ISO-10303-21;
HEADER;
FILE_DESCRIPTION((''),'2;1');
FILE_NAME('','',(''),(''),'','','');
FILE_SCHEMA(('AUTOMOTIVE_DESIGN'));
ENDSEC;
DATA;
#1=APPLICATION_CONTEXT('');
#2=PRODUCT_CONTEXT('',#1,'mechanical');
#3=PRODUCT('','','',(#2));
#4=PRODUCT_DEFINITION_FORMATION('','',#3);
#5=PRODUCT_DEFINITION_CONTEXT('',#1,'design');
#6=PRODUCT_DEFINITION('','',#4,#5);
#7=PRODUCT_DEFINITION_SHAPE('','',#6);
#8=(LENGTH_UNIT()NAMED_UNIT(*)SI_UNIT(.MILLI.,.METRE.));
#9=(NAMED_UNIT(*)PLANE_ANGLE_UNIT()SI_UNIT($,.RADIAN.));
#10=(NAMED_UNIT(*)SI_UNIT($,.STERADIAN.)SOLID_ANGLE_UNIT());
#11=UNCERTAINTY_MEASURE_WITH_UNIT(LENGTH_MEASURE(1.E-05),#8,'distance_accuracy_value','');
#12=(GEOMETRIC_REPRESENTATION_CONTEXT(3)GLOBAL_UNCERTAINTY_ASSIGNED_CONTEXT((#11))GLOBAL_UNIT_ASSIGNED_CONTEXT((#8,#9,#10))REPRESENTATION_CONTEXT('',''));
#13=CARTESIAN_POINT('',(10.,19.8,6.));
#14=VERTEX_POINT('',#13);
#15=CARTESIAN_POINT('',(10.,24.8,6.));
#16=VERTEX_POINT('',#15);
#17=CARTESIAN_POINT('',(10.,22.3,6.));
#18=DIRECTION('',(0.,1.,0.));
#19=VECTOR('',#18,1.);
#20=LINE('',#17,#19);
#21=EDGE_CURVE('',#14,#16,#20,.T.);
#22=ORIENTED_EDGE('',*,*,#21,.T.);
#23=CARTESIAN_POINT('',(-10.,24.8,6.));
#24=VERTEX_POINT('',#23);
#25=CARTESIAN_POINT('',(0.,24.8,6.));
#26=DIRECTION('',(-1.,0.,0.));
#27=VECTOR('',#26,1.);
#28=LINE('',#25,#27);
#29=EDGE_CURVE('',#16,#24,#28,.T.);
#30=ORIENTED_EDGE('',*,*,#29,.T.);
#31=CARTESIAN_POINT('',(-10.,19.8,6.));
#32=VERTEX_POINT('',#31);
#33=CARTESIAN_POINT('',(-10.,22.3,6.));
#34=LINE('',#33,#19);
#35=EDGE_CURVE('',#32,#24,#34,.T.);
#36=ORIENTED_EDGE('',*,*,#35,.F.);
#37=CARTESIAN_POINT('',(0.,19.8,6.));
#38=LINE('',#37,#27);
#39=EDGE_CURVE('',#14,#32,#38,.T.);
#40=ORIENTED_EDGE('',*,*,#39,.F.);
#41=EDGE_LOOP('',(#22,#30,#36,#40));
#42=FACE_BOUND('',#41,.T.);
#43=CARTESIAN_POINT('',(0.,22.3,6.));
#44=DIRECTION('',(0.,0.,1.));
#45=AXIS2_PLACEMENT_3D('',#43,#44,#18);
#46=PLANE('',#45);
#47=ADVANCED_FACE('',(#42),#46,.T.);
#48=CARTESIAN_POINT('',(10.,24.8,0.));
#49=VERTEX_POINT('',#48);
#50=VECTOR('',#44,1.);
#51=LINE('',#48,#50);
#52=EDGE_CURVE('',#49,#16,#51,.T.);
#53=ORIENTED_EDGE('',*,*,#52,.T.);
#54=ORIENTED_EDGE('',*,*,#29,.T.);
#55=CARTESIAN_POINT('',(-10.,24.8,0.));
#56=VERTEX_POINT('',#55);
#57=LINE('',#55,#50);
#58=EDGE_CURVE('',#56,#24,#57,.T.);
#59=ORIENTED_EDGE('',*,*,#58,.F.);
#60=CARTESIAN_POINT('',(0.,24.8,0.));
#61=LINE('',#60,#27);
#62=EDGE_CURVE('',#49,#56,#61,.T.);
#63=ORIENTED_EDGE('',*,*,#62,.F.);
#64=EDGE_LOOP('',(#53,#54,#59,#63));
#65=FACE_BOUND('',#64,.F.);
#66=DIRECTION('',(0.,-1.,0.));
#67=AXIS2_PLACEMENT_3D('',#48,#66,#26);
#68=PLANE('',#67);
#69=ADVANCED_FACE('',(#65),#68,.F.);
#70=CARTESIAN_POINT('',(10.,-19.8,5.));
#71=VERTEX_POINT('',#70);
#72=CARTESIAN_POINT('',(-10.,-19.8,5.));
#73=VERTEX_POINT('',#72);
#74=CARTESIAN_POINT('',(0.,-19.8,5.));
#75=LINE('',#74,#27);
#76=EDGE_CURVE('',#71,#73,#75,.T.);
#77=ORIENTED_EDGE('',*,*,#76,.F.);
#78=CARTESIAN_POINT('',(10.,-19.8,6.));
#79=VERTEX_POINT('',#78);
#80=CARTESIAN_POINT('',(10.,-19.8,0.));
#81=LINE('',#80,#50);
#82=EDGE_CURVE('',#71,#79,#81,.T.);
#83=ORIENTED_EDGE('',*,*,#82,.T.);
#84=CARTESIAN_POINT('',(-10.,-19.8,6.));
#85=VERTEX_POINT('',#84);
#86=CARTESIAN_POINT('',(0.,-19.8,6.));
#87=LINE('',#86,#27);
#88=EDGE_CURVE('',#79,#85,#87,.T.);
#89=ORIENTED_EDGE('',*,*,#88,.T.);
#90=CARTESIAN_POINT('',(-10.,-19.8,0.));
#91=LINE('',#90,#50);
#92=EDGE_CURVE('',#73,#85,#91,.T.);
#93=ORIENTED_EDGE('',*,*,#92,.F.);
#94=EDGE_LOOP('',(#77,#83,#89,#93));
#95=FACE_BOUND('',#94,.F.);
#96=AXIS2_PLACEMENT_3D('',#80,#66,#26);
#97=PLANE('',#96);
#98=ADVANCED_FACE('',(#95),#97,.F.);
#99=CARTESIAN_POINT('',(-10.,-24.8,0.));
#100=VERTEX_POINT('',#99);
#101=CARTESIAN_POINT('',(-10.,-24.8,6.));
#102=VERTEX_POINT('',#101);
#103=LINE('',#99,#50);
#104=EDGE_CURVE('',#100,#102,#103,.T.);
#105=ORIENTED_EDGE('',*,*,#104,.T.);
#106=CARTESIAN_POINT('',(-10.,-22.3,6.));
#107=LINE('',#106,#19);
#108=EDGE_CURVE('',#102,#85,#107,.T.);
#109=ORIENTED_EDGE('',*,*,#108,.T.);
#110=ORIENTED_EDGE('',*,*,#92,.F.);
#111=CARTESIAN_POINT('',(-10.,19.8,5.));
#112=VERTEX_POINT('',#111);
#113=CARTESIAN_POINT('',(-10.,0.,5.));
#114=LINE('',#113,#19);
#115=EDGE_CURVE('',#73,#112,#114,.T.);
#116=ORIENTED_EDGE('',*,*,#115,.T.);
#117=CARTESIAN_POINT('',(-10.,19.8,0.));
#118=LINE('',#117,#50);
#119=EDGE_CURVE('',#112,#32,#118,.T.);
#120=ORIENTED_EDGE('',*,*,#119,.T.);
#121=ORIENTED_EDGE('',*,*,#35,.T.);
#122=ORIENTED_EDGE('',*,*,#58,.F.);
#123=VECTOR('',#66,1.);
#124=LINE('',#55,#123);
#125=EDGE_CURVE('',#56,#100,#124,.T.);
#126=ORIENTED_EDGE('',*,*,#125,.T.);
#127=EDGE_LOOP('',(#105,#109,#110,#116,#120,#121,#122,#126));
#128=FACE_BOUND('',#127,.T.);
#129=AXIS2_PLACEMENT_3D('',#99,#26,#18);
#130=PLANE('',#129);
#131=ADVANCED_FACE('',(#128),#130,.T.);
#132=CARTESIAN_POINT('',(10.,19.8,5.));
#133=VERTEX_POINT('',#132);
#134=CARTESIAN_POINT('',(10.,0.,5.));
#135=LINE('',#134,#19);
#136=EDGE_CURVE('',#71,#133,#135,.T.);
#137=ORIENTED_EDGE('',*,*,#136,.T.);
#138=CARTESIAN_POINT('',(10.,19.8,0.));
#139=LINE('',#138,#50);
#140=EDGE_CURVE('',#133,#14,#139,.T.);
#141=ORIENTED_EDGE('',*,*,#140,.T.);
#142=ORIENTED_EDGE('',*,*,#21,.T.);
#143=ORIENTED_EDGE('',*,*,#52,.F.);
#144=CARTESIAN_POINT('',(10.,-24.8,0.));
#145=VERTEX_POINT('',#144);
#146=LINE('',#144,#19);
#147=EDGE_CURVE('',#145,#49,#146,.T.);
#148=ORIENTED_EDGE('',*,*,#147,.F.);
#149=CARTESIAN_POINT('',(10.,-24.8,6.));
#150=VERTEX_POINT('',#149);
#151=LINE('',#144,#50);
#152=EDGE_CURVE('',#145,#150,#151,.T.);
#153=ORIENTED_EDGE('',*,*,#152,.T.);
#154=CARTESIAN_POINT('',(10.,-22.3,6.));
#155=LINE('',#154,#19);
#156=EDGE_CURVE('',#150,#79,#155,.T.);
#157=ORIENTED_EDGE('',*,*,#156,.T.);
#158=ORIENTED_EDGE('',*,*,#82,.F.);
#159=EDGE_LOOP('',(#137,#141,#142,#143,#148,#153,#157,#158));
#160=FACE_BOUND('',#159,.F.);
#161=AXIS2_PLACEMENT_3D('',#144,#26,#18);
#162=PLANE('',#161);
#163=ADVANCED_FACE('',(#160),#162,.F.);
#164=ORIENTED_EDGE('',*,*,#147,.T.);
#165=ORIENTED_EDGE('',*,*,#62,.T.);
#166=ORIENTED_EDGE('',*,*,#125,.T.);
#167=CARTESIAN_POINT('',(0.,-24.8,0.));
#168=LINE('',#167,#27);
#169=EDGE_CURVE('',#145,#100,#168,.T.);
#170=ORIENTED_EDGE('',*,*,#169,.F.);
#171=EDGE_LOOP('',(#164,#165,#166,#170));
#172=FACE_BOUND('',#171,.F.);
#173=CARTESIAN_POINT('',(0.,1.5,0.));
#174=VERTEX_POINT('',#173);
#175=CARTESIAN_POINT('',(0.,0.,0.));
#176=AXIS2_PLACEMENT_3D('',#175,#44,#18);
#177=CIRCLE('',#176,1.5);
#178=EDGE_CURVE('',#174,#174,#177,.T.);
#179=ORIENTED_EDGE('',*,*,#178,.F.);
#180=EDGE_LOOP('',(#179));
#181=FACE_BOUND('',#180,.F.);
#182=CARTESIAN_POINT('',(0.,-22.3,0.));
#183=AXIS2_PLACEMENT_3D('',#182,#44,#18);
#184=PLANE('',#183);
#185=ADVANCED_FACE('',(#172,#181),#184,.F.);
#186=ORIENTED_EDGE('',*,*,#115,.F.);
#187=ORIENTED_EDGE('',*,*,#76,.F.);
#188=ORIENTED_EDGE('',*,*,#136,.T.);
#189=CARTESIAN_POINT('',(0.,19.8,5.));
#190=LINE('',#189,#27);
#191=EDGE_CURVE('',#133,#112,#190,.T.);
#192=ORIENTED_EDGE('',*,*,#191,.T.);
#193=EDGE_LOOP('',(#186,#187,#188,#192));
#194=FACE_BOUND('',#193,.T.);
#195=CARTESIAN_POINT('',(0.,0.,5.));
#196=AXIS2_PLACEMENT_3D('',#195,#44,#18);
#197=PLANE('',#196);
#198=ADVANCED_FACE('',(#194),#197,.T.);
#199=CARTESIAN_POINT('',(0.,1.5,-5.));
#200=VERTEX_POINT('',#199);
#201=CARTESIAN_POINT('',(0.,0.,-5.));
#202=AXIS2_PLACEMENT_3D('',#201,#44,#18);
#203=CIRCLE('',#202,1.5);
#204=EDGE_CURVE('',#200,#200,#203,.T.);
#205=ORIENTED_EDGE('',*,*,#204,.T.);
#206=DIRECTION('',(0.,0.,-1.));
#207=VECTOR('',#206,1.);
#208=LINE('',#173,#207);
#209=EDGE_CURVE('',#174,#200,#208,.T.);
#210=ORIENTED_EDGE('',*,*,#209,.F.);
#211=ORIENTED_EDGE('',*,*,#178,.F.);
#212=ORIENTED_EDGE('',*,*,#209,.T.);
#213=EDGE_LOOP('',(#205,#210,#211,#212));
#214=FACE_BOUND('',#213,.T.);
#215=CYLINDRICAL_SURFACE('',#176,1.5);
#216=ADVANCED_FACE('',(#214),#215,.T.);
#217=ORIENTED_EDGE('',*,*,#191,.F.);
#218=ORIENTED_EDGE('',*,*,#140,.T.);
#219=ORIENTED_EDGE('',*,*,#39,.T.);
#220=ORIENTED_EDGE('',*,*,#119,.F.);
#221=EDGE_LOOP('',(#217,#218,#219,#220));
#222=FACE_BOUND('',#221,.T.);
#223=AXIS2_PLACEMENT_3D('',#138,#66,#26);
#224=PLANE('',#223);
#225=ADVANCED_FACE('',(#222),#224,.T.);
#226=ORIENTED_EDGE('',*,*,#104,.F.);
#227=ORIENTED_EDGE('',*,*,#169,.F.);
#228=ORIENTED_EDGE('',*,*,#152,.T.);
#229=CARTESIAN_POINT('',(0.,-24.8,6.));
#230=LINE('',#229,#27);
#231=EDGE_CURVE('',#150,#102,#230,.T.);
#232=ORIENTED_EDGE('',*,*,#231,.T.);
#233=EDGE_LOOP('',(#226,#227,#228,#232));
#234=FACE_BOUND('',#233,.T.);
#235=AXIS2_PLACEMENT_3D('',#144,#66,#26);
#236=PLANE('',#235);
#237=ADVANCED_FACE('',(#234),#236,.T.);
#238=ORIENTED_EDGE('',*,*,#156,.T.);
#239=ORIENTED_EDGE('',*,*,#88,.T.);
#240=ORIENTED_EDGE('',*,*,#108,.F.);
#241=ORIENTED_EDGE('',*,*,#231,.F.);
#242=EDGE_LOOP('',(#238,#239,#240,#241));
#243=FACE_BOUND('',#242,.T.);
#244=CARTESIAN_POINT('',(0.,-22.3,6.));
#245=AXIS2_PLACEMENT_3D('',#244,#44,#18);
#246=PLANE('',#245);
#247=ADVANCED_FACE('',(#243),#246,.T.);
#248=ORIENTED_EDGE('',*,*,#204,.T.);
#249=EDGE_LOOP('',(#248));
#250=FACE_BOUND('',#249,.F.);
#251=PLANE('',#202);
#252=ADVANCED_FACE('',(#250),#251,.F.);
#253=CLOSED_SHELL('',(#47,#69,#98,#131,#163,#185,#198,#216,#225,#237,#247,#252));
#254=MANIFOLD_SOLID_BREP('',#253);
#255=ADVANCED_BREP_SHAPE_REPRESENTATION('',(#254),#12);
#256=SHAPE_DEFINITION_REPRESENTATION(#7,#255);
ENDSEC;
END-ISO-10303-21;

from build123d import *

# Parameters (mm, degrees)
F0_R     = 1.5
F1_DEPTH = 5
F2_W     = 39.6
F2_H     = 20
F3_DEPTH = 5
F2_W_2   = 5
F4_DEPTH = 6
F5_ANGLE = 90


with BuildPart() as f1:
    # F0 (on Top) → F1 (new body)
    with BuildSketch(Plane.XY):
        Circle(F0_R)
    extrude(amount=-F1_DEPTH)

    # F2 (on Top) → F3 (join)
    with BuildSketch(Plane.XY):
        Rectangle(F2_W, F2_H)
    extrude(amount=F3_DEPTH)

    # F2 (on Top) → F4 (join)
    with BuildSketch(Plane.XY):
        with Locations((-22.3, 0)):
            Rectangle(F2_W_2, F2_H)
        with Locations((22.3, 0)):
            Rectangle(F2_W_2, F2_H)
    extrude(amount=F4_DEPTH)


with BuildPart() as f1_1:
    # F5: moved
    add(f1.part.rotate(Axis((0, 0, -5), (0, 0, 1)), F5_ANGLE))


solid = f1_1.part
